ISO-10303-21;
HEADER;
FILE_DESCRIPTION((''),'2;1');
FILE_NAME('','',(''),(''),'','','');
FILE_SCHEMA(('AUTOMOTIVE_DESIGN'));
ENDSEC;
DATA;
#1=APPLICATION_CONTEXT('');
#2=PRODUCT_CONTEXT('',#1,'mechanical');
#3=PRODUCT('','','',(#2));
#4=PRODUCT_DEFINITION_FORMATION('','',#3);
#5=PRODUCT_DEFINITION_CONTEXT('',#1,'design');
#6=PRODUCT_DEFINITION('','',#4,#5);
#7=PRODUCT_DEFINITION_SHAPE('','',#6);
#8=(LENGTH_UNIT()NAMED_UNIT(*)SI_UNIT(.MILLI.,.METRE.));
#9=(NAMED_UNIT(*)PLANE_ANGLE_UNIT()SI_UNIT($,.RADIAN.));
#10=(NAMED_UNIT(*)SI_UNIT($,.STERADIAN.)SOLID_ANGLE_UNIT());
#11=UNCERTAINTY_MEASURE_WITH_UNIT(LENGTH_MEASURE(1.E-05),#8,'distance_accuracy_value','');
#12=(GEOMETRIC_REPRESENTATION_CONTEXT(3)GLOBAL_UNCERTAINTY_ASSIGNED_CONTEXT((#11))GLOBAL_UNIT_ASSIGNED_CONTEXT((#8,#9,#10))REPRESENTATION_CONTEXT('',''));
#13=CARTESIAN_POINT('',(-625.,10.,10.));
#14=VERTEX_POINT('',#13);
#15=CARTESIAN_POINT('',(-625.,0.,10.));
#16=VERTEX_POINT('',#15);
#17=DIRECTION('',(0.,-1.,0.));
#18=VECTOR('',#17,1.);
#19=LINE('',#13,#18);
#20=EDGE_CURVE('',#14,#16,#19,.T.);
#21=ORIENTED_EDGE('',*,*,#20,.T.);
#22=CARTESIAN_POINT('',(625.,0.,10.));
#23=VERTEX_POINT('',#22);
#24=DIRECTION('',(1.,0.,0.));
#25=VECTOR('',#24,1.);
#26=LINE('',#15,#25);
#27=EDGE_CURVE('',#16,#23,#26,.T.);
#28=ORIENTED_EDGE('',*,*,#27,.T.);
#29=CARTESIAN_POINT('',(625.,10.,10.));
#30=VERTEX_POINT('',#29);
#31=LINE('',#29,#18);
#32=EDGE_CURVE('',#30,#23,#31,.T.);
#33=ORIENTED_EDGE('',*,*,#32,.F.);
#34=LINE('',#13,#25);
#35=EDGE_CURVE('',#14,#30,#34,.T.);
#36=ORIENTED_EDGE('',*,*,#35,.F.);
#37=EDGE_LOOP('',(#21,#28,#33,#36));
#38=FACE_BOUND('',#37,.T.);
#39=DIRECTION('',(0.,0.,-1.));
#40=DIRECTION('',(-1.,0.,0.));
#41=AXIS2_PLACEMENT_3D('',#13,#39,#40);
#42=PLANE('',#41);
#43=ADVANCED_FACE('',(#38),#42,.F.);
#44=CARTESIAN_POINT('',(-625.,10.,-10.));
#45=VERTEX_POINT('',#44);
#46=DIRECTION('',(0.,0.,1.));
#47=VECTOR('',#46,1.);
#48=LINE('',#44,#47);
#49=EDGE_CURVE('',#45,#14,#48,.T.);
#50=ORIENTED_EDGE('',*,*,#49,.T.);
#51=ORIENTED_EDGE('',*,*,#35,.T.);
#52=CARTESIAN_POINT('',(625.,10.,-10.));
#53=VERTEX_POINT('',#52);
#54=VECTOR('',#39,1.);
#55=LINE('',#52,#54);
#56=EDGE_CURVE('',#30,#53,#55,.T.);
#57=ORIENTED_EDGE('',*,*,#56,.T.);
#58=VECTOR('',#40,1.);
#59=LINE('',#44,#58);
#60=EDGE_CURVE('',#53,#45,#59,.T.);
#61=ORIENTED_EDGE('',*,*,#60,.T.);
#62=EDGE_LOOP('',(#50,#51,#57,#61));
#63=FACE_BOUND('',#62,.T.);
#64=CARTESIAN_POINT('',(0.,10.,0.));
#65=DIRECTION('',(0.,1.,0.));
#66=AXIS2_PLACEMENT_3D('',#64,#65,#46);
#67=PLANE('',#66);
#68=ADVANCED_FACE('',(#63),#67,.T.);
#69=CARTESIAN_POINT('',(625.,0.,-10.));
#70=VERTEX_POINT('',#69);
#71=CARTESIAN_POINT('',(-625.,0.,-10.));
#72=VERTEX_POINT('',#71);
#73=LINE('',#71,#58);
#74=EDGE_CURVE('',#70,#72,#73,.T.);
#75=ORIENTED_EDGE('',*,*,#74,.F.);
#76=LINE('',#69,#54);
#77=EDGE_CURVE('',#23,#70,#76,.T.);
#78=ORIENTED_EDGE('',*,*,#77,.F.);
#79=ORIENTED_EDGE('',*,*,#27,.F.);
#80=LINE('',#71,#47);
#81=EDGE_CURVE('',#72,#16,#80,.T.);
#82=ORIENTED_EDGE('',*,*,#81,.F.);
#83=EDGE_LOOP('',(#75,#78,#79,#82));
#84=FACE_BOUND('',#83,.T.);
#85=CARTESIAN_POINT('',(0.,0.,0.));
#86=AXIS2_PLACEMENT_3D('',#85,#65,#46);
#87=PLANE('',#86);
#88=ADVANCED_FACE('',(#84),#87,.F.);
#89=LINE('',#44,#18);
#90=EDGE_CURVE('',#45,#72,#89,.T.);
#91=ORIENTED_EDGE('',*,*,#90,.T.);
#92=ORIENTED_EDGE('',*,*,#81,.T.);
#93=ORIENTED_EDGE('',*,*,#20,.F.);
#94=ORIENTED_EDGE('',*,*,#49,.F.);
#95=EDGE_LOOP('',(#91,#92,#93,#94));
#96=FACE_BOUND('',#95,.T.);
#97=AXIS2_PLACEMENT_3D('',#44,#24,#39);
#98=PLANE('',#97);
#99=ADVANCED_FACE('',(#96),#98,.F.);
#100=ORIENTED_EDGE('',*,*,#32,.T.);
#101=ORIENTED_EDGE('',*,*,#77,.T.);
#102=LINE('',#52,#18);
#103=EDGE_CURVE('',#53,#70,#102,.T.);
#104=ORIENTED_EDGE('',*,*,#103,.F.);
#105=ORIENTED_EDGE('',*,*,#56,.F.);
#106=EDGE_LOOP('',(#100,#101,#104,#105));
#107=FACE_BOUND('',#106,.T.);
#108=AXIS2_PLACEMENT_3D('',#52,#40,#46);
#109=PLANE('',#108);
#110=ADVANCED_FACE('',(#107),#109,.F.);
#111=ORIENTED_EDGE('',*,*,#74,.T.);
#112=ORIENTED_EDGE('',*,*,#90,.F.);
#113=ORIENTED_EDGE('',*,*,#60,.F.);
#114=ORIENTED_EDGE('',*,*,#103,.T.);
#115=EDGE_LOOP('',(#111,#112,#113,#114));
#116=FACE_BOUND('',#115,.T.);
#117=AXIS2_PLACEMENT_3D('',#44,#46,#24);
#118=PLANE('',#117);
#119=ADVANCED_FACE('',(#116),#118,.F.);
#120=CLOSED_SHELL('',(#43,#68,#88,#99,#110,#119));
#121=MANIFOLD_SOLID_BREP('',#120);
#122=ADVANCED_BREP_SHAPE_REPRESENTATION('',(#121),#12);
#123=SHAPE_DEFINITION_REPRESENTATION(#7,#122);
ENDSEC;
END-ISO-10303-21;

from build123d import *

# Parameters (mm, degrees)
SKETCH1_W           = 1250
SKETCH1_H           = 20
BOSS_EXTRUDE1_DEPTH = 10


with BuildPart() as part:
    # Sketch1 → Boss-Extrude1 (new body)
    with BuildSketch(Plane(origin=(0, 0, 0), x_dir=(1, 0, 0), z_dir=(0, 1, 0))):
        Rectangle(SKETCH1_W, SKETCH1_H)
    extrude(amount=BOSS_EXTRUDE1_DEPTH)


solid = part.part
